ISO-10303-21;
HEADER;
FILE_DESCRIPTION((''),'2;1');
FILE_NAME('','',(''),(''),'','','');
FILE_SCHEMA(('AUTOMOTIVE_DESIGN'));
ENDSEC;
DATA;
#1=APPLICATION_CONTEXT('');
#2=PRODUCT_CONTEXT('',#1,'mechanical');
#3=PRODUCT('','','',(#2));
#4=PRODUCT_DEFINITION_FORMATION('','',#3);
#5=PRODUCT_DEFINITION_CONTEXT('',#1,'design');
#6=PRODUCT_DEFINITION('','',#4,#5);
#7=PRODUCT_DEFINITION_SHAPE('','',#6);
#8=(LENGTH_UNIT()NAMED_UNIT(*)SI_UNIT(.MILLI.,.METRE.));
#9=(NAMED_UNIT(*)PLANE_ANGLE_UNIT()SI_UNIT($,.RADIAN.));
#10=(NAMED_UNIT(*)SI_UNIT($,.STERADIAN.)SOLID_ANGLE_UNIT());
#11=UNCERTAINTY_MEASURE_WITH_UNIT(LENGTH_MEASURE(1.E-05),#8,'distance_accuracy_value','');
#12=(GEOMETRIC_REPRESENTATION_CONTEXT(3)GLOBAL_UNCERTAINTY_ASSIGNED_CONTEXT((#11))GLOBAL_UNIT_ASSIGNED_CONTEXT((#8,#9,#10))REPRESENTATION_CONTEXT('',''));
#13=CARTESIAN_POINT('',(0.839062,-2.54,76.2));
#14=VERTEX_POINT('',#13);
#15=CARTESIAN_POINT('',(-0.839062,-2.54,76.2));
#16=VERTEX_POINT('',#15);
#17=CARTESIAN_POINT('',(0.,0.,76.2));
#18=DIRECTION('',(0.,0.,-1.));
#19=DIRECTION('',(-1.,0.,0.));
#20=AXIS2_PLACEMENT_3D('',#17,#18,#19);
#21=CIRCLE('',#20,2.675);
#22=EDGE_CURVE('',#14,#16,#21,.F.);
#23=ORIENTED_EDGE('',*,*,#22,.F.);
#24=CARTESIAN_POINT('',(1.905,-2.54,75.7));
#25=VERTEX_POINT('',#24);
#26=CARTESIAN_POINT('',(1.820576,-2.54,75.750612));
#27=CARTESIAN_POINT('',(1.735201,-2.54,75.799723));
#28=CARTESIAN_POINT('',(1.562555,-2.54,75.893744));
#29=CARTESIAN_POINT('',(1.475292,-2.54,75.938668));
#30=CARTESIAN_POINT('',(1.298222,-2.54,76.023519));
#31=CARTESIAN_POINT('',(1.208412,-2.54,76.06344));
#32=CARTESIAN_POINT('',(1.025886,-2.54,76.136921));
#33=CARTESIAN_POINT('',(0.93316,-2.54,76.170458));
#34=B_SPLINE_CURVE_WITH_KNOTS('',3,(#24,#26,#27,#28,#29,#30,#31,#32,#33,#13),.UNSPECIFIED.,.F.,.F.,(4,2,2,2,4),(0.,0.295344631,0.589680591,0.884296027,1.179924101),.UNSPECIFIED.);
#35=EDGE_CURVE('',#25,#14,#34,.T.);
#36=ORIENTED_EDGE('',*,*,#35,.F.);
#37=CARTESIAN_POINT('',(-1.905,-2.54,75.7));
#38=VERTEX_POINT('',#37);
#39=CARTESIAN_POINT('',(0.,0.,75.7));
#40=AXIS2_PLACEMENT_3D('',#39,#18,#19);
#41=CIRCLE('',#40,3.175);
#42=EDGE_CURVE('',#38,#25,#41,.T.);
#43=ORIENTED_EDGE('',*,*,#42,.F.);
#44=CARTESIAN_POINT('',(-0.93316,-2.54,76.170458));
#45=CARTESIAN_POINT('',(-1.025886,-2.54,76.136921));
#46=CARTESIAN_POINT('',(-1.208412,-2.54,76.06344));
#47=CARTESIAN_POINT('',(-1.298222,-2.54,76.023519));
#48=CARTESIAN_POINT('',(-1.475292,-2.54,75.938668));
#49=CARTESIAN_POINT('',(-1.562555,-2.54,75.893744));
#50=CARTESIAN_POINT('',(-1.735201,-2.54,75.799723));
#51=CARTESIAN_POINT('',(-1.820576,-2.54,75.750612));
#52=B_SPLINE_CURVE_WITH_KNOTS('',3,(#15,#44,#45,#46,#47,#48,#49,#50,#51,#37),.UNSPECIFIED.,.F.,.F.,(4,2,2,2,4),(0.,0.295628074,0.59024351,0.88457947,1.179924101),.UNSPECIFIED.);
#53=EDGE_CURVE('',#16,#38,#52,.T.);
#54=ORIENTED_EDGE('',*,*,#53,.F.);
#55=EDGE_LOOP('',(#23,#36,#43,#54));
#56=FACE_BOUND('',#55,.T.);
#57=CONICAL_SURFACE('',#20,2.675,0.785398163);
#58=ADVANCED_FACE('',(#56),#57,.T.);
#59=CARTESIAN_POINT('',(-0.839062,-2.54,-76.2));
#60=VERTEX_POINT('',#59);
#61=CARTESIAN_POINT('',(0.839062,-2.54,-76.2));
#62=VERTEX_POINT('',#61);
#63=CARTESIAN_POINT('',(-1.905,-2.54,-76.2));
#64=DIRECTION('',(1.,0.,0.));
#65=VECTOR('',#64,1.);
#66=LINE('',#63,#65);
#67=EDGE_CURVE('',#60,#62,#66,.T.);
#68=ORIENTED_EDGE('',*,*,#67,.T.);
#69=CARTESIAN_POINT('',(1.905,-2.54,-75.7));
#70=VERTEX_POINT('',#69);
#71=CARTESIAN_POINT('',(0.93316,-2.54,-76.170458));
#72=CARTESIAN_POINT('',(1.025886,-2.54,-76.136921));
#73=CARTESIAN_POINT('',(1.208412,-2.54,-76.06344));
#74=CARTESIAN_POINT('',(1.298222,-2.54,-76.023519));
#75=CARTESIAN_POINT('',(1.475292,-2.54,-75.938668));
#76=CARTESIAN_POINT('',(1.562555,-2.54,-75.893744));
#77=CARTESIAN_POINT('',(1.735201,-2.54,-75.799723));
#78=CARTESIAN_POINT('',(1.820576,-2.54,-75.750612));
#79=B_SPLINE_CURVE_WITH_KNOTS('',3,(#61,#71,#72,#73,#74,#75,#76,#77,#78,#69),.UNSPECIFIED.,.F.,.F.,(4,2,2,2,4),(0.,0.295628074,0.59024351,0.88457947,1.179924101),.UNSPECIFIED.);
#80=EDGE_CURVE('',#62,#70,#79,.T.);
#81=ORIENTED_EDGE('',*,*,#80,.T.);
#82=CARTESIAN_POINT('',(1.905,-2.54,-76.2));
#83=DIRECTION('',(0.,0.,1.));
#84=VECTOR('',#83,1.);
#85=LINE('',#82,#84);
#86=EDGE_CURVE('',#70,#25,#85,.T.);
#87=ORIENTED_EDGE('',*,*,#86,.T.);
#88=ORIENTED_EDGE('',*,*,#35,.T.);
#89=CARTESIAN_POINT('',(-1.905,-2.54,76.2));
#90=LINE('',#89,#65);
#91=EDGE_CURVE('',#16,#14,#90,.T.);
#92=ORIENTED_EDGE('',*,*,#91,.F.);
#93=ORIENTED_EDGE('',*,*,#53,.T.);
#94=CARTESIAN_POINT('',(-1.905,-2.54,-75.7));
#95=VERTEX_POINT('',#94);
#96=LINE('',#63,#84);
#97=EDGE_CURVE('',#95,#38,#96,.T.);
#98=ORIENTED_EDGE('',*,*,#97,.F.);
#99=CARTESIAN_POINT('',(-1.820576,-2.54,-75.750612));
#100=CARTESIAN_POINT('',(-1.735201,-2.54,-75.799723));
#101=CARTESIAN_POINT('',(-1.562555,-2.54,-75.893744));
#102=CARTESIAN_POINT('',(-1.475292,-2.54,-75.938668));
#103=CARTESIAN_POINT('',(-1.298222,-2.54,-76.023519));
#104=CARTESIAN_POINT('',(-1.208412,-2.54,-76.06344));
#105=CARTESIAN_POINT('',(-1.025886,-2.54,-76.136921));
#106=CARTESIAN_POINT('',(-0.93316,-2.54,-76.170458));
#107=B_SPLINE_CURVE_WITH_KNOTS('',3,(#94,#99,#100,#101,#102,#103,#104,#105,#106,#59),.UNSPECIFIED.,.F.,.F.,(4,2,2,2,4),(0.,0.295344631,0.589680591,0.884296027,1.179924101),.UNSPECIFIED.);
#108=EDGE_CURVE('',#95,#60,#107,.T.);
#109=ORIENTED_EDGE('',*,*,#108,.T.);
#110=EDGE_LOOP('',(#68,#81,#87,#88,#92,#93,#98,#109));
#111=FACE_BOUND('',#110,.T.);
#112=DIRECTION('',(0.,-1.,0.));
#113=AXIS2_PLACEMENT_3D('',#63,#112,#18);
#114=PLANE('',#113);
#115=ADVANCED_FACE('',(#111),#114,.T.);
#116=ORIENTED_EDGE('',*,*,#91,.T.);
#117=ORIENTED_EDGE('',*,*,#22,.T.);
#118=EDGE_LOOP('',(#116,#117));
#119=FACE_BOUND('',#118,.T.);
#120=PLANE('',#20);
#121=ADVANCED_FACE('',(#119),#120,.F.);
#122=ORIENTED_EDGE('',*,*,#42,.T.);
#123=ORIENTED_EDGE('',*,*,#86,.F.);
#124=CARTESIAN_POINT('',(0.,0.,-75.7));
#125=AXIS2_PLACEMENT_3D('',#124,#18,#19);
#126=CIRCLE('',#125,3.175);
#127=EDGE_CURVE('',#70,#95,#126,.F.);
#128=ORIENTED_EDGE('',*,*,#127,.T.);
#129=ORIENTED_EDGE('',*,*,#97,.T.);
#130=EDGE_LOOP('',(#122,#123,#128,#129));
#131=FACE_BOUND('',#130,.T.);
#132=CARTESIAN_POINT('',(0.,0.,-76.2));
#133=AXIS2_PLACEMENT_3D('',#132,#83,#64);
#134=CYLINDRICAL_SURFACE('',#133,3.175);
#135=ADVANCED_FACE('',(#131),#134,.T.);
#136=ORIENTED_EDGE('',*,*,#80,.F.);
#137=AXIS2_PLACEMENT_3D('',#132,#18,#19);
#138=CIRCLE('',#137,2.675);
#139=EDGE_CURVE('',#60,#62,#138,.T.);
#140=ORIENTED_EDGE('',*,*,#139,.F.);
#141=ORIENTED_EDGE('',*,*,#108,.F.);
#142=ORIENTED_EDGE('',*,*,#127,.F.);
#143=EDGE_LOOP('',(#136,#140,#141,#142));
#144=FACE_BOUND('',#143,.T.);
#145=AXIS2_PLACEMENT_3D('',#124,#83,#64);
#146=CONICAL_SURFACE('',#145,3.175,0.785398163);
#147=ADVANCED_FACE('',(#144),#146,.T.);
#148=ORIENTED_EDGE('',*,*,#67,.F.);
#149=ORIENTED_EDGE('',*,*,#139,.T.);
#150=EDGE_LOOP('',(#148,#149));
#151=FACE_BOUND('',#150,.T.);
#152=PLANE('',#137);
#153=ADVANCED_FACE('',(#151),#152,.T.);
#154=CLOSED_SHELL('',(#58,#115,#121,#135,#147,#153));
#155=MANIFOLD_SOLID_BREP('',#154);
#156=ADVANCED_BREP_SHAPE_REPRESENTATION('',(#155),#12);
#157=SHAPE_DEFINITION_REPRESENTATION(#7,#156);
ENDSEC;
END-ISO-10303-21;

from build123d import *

# Parameters (mm, degrees)
CHAMFER1_SIZE = 0.5


with BuildPart() as part:
    # Sweep1: sweep along a path in Sketch2
    with BuildLine(Plane(origin=(0, 0, 0), x_dir=(1, 0, 0), z_dir=(0, 1, 0))) as sweep1_path:
        Line((0, -76.2), (0, 76.2))
    # Sketch1 → Sweep1 (sweep)
    with BuildSketch(Plane.XY):
        with BuildLine():
            Line((-1.905, -2.54), (1.905, -2.54))
            ThreePointArc((1.905, -2.54), (0, 3.175), (-1.905, -2.54))
        make_face()
    sweep(path=sweep1_path.line)

    # Chamfer1
    chamfer1_edges = [part.edges().sort_by_distance(p)[0] for p in [
        (0, 3.175, 76.2),
        (0, 3.175, -76.2),
    ]]
    chamfer(chamfer1_edges, length=CHAMFER1_SIZE)


solid = part.part
